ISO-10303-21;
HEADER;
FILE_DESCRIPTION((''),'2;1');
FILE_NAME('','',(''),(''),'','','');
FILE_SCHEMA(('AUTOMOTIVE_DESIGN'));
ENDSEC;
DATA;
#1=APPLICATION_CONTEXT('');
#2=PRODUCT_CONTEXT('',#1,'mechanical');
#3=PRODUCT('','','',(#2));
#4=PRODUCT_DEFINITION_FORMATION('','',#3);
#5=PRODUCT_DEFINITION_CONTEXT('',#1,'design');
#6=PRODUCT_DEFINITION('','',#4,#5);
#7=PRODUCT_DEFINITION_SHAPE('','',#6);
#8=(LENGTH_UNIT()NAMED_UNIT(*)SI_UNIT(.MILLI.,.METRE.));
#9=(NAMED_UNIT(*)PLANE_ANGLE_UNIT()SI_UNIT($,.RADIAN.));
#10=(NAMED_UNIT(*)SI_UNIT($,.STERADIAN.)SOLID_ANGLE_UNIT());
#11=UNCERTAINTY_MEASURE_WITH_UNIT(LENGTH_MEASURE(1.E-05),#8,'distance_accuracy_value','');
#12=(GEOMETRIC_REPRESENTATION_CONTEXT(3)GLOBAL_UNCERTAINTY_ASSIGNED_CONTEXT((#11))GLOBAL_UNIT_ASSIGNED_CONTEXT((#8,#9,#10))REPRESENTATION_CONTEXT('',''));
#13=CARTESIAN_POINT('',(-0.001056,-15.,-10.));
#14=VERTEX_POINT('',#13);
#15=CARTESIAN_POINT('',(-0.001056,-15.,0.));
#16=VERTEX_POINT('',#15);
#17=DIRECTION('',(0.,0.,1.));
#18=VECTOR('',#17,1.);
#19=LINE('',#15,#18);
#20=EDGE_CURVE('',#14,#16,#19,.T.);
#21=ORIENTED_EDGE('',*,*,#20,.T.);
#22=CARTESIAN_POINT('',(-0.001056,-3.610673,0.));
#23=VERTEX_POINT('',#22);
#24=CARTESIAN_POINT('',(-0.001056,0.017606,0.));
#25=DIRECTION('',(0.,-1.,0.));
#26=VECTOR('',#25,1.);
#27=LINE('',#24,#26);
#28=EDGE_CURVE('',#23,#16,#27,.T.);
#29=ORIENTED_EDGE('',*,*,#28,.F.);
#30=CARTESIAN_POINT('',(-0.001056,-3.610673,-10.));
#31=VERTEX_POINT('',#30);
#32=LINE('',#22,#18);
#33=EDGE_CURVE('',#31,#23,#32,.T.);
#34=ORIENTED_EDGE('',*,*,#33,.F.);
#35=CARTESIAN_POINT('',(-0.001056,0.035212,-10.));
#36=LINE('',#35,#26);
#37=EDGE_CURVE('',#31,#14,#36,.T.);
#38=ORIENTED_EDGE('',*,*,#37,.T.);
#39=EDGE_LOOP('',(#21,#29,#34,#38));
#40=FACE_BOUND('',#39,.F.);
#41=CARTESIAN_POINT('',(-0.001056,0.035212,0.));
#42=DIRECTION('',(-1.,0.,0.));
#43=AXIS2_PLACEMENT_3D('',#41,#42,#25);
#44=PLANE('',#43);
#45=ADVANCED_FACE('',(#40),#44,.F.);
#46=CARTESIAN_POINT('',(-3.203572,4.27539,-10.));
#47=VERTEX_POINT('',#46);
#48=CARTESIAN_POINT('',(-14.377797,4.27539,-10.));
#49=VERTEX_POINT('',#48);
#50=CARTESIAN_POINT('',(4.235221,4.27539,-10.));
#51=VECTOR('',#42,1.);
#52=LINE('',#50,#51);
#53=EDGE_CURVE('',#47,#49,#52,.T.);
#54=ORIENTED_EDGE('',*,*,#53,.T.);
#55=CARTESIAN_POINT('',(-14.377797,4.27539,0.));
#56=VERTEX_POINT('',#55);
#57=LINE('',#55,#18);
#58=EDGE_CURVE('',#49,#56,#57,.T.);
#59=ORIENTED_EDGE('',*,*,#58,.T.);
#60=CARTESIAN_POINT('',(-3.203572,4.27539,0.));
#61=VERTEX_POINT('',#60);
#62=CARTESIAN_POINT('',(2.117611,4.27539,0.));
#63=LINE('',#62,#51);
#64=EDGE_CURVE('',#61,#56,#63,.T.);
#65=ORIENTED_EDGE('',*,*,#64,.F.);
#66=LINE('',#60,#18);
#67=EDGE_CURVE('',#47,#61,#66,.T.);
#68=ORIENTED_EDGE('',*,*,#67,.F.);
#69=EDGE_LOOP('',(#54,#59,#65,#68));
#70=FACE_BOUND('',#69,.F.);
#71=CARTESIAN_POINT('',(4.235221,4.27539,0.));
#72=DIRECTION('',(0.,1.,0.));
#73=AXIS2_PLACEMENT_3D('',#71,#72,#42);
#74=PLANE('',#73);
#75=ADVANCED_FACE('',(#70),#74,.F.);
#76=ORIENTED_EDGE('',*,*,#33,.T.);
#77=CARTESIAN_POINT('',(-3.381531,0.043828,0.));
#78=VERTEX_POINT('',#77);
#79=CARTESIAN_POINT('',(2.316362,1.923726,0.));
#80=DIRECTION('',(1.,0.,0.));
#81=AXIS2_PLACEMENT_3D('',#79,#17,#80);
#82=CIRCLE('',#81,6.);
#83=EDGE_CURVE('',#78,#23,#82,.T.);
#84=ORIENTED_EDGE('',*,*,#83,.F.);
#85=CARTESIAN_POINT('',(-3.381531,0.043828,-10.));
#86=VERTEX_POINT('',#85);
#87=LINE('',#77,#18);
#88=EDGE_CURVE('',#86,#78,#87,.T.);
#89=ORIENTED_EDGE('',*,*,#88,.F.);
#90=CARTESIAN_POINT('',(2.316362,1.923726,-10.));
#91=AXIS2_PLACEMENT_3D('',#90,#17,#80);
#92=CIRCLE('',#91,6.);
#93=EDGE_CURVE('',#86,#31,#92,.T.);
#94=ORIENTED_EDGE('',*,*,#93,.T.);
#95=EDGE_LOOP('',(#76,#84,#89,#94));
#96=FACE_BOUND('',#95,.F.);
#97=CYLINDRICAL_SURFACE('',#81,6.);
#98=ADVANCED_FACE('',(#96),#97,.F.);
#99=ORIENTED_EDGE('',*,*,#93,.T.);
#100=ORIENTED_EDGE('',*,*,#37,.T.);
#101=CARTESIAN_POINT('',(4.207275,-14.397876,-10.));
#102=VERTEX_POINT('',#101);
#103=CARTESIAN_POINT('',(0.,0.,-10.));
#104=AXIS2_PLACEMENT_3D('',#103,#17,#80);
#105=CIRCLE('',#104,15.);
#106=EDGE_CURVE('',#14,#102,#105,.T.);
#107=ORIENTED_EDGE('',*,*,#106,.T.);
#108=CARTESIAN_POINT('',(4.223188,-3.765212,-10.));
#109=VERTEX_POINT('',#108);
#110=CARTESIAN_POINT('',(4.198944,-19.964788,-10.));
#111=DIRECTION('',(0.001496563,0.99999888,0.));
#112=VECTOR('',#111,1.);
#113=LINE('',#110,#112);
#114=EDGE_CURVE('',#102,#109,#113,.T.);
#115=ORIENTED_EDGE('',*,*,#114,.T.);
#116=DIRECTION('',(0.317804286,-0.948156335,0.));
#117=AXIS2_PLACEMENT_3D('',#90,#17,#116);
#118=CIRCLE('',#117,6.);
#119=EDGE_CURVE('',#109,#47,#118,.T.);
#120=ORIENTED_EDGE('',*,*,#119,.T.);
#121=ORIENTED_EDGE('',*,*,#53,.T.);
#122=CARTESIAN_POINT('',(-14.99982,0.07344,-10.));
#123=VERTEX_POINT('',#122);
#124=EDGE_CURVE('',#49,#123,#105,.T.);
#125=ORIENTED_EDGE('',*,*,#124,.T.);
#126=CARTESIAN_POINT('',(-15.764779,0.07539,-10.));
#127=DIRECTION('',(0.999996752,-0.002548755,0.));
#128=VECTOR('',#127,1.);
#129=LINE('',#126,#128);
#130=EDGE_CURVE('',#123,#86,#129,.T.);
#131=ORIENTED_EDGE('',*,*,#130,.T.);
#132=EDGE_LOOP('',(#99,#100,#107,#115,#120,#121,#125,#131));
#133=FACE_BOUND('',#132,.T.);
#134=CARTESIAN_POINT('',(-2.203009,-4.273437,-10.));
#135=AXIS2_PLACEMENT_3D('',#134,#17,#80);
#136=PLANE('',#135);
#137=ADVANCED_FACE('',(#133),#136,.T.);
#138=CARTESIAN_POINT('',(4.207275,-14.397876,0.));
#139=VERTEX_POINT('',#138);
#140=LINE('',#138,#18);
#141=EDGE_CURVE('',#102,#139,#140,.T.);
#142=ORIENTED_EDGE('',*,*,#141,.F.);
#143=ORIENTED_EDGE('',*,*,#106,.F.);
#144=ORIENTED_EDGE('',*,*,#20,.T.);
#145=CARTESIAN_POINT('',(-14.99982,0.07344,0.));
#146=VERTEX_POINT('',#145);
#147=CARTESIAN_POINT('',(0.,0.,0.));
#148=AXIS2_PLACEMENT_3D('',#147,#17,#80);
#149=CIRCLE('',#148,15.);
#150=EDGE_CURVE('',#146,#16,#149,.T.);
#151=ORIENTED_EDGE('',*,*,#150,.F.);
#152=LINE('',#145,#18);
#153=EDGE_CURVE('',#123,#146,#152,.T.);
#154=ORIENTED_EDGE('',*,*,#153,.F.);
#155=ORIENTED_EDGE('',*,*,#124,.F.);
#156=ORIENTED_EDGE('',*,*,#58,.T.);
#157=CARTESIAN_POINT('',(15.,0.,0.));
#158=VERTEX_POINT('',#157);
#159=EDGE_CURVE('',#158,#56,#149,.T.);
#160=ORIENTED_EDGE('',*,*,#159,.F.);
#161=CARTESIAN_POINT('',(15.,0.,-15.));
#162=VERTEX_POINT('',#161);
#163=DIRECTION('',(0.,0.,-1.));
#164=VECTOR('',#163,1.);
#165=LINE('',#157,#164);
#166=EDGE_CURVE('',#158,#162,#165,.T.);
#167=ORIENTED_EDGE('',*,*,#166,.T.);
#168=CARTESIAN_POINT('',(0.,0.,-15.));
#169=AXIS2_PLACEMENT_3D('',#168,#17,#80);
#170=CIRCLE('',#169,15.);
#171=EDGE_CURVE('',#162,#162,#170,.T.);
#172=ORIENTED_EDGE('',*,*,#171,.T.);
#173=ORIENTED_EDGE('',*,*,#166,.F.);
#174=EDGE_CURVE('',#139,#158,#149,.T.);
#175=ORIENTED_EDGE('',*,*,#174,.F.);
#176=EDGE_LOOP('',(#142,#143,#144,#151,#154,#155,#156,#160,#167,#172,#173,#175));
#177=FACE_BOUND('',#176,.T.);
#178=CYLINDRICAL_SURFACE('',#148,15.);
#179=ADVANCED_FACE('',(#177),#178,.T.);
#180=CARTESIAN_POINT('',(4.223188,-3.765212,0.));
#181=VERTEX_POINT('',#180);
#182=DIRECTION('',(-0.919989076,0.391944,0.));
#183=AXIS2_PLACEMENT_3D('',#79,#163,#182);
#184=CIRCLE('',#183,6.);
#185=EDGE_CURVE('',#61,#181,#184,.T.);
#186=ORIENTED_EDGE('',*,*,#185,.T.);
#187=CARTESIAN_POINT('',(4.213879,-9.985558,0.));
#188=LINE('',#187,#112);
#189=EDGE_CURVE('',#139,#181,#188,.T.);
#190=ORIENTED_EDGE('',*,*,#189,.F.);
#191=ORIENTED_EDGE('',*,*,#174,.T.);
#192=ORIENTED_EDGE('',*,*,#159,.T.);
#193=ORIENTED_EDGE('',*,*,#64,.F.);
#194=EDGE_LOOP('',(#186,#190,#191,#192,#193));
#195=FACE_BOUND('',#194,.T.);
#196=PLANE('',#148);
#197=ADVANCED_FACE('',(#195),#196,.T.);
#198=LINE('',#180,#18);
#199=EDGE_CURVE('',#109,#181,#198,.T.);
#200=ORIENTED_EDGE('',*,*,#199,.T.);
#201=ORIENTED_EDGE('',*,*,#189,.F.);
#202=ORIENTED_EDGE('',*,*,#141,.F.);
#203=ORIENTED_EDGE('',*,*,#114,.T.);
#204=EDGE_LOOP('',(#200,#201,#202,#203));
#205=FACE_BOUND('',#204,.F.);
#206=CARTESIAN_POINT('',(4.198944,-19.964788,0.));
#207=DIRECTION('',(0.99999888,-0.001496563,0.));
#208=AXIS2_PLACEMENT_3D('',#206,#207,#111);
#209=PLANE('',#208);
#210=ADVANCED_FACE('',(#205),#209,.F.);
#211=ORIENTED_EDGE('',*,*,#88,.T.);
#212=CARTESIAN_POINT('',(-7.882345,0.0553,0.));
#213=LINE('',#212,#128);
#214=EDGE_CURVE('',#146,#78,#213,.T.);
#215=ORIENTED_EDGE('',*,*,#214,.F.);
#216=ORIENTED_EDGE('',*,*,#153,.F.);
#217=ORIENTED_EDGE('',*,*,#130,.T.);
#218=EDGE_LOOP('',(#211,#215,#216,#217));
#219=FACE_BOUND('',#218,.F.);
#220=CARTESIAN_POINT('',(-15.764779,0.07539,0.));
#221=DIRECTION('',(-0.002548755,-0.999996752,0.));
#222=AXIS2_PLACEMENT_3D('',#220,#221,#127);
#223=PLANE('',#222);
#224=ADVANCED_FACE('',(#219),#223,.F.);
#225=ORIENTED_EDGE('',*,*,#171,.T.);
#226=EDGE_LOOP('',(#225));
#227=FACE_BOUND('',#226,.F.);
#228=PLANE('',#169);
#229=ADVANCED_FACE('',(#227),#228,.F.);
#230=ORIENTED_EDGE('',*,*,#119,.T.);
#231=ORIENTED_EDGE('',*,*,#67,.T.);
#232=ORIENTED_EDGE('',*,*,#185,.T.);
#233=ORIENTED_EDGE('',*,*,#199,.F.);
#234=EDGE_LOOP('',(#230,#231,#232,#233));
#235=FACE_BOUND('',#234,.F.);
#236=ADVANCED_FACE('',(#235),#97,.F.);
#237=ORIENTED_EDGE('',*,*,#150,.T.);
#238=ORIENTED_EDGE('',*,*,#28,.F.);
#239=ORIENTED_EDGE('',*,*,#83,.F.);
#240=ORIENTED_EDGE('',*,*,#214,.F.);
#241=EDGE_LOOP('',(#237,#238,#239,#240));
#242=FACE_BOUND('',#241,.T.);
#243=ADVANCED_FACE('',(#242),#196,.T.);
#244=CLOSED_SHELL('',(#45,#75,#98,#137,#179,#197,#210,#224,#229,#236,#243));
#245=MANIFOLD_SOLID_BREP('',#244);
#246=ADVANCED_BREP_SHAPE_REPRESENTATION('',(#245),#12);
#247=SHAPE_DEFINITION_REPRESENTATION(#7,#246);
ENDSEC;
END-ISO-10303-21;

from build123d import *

# Parameters (mm, degrees)
F0_R     = 15
F1_DEPTH = 15
F3_DEPTH = 10
F4_R     = 6
F5_DEPTH = 10


with BuildPart() as f1:
    # F0 (on Top) → F1 (new body)
    with BuildSketch(Plane.XY):
        Circle(F0_R)
    extrude(amount=-F1_DEPTH)

    # F2 (on Top) → F3 (cut, symmetric)
    with BuildSketch(Plane.XY):
        Polygon((4.235221, 4.27539), (-15.764779, 4.27539), (-15.764779, 0.07539), (-0.001056, 0.035212), (-0.001056, -19.964788), (4.198944, -19.964788), align=None)
    extrude(amount=F3_DEPTH, both=True, mode=Mode.SUBTRACT)

    # F4 (on Top) → F5 (cut, symmetric)
    with BuildSketch(Plane.XY):
        with Locations((2.316362, 1.923726)):
            Circle(F4_R)
    extrude(amount=F5_DEPTH, both=True, mode=Mode.SUBTRACT)


solid = f1.part
